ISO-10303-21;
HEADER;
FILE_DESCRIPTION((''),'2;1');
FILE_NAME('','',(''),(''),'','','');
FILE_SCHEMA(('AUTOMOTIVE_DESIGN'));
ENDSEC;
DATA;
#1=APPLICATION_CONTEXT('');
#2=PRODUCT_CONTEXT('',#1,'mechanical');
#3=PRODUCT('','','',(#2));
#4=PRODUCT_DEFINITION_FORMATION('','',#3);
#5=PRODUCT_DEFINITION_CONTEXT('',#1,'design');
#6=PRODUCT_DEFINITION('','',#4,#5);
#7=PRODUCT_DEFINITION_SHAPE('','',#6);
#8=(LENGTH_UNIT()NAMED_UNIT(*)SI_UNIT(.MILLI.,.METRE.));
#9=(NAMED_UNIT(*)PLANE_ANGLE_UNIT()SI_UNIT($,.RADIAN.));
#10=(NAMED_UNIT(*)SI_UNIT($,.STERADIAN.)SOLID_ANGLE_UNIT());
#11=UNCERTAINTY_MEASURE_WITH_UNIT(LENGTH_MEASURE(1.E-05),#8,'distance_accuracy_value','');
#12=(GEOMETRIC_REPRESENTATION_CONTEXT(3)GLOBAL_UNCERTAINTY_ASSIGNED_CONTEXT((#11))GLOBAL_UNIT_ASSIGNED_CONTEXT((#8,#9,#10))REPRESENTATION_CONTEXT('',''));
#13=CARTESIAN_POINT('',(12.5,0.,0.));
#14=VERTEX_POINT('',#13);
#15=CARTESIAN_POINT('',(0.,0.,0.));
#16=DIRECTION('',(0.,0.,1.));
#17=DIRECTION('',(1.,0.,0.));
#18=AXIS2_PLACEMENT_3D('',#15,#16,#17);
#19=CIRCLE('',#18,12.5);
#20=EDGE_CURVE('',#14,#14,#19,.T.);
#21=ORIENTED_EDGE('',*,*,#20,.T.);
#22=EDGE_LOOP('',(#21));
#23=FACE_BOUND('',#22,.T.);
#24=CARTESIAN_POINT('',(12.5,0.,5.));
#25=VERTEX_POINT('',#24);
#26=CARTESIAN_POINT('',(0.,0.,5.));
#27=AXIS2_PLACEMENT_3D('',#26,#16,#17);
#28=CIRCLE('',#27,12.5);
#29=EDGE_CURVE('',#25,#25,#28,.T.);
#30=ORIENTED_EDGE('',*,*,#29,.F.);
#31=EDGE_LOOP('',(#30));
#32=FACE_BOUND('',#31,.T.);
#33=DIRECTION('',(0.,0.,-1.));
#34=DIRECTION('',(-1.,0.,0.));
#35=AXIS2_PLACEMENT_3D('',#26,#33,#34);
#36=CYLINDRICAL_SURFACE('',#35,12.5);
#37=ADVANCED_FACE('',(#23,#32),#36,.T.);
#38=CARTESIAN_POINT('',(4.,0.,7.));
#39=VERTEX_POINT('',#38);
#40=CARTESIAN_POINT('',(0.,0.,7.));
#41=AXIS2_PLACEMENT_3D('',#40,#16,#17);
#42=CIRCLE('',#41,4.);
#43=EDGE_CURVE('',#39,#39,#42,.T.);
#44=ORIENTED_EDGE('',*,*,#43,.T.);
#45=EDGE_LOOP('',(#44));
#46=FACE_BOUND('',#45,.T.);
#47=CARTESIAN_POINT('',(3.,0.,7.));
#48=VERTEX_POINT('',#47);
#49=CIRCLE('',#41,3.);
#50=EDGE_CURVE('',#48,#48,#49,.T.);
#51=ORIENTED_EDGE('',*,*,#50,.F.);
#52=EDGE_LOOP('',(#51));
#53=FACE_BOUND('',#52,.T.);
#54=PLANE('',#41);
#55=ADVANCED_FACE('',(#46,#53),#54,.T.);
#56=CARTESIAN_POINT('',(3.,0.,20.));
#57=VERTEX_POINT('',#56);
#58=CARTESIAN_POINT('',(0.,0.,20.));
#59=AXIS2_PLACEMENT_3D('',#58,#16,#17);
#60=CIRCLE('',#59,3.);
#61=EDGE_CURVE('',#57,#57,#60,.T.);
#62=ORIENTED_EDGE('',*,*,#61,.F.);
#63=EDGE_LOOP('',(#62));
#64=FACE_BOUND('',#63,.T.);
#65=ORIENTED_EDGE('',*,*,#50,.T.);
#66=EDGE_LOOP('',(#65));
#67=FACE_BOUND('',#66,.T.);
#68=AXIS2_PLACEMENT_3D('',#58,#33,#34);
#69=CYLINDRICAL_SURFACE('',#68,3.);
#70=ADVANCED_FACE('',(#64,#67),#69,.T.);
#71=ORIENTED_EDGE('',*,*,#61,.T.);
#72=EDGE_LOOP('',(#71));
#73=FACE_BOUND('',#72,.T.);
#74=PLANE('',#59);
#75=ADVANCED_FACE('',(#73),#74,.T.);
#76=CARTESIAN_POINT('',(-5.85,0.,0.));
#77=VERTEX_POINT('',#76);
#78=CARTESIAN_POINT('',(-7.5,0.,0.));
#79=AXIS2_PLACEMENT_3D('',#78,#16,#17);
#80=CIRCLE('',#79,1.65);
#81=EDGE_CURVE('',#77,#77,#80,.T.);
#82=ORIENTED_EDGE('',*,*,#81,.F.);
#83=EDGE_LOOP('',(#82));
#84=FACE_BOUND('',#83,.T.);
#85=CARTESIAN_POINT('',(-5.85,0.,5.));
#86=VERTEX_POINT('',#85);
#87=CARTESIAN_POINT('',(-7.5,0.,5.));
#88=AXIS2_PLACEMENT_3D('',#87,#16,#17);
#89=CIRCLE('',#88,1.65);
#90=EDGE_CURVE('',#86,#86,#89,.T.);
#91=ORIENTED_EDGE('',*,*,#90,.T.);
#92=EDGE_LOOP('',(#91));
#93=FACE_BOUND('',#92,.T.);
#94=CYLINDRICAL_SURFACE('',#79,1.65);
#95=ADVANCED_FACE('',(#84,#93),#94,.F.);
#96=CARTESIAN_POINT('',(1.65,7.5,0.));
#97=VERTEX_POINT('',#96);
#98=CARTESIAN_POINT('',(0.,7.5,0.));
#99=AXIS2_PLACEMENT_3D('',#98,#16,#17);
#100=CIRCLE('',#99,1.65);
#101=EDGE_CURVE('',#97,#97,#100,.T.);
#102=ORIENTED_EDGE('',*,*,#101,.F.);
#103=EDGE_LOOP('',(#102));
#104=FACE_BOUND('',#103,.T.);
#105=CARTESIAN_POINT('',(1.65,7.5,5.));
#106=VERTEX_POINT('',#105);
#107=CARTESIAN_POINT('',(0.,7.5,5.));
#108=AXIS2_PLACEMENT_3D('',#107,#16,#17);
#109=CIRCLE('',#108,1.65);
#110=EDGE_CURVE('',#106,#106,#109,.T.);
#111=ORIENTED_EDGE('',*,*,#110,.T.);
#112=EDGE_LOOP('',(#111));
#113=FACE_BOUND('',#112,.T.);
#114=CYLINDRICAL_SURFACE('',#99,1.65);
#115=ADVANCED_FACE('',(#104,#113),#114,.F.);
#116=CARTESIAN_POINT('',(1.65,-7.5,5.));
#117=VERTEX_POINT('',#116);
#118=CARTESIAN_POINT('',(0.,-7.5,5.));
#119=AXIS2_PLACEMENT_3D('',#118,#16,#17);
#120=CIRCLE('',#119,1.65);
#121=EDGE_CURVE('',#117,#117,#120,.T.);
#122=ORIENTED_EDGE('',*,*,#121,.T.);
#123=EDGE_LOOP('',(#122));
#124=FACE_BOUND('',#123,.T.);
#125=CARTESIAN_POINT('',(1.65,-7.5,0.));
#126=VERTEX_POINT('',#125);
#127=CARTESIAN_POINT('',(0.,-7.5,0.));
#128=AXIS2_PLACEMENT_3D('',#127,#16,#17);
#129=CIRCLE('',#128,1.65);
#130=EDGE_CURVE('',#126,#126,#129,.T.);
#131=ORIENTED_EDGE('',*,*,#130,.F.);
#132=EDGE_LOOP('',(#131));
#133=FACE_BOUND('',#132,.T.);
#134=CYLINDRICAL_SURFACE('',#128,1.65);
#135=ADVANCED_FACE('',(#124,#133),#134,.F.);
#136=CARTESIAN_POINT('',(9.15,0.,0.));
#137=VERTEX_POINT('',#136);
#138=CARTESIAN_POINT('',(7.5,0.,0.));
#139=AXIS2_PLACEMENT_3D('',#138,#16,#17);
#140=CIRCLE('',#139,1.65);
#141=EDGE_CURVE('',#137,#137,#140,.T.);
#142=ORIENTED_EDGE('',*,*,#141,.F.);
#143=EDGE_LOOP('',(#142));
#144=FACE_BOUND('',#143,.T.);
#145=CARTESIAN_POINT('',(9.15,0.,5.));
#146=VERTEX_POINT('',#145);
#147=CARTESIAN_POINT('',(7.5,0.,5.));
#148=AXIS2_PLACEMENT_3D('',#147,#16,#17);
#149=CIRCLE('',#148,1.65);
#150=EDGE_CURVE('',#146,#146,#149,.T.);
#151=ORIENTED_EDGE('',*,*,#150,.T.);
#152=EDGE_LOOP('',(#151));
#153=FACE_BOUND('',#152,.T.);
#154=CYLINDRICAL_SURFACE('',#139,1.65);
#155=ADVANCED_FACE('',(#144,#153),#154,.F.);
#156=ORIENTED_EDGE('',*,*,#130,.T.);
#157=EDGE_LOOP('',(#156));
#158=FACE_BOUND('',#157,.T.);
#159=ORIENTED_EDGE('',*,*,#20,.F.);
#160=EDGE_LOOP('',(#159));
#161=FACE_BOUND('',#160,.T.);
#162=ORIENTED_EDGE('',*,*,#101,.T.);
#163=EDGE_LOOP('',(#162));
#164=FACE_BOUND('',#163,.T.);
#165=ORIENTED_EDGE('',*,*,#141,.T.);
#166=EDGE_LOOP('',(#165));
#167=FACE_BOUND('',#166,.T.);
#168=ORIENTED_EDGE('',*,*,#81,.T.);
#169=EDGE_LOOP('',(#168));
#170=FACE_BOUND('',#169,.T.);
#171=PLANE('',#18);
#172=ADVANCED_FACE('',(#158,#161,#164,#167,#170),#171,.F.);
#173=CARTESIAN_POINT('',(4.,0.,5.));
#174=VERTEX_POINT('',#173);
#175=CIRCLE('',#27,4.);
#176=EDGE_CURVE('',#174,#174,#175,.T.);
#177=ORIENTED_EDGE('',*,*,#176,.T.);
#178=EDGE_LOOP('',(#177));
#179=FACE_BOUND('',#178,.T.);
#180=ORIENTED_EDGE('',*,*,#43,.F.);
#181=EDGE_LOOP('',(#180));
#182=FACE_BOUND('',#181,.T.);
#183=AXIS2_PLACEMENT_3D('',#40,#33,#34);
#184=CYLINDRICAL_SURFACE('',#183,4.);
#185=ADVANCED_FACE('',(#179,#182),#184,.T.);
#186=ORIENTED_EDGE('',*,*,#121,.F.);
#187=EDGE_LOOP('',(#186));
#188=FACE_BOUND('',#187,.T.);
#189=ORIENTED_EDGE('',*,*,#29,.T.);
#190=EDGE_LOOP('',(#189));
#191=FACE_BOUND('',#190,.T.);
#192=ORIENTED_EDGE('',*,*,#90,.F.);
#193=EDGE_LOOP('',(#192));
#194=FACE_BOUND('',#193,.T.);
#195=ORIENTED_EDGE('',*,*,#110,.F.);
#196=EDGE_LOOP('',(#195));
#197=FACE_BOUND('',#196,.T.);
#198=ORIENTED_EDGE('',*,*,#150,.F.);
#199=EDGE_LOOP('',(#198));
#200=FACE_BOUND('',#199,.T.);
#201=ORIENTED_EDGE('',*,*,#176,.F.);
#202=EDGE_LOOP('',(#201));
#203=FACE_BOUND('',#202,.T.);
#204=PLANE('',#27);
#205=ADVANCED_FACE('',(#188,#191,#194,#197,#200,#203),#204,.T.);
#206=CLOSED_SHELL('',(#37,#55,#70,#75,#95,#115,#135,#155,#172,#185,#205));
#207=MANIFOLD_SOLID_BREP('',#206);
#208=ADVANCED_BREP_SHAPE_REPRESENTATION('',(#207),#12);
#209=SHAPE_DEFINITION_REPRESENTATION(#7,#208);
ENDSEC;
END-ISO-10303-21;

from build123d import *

# Parameters (mm, degrees)
SKETCH_1_R          = 12.5
EXTRUDE_1_DEPTH     = 5
SKETCH_2_R          = 4
EXTRUDE_2_DEPTH     = 2
SKETCH_3_R          = 3
EXTRUDE_3_DEPTH     = 13
SKETCH_4_R          = 1.65
CUT_EXTRUDE_1_DEPTH = 24.184046239


with BuildPart() as part:
    # ｽｹｯﾁ1 → ﾎﾞｽ - 押し出し1 (new body)
    with BuildSketch(Plane.XY):
        Circle(SKETCH_1_R)
    extrude(amount=EXTRUDE_1_DEPTH)

    # ｽｹｯﾁ2 → ﾎﾞｽ - 押し出し2 (add)
    with BuildSketch(Plane.XY.offset(5)):
        Circle(SKETCH_2_R)
    extrude(amount=EXTRUDE_2_DEPTH)

    # ｽｹｯﾁ3 → ﾎﾞｽ - 押し出し3 (add)
    with BuildSketch(Plane.XY.offset(7)):
        Circle(SKETCH_3_R)
    extrude(amount=EXTRUDE_3_DEPTH)

    # ｽｹｯﾁ4 → ｶｯﾄ - 押し出し1 (cut, through all)
    with BuildSketch(Plane.XY.offset(5)):
        with Locations((0, 7.5)):
            Circle(SKETCH_4_R)
        with Locations((7.5, 0)):
            Circle(SKETCH_4_R)
        with Locations((0, -7.5)):
            Circle(SKETCH_4_R)
        with Locations((-7.5, 0)):
            Circle(SKETCH_4_R)
    extrude(amount=-CUT_EXTRUDE_1_DEPTH, mode=Mode.SUBTRACT)


solid = part.part
